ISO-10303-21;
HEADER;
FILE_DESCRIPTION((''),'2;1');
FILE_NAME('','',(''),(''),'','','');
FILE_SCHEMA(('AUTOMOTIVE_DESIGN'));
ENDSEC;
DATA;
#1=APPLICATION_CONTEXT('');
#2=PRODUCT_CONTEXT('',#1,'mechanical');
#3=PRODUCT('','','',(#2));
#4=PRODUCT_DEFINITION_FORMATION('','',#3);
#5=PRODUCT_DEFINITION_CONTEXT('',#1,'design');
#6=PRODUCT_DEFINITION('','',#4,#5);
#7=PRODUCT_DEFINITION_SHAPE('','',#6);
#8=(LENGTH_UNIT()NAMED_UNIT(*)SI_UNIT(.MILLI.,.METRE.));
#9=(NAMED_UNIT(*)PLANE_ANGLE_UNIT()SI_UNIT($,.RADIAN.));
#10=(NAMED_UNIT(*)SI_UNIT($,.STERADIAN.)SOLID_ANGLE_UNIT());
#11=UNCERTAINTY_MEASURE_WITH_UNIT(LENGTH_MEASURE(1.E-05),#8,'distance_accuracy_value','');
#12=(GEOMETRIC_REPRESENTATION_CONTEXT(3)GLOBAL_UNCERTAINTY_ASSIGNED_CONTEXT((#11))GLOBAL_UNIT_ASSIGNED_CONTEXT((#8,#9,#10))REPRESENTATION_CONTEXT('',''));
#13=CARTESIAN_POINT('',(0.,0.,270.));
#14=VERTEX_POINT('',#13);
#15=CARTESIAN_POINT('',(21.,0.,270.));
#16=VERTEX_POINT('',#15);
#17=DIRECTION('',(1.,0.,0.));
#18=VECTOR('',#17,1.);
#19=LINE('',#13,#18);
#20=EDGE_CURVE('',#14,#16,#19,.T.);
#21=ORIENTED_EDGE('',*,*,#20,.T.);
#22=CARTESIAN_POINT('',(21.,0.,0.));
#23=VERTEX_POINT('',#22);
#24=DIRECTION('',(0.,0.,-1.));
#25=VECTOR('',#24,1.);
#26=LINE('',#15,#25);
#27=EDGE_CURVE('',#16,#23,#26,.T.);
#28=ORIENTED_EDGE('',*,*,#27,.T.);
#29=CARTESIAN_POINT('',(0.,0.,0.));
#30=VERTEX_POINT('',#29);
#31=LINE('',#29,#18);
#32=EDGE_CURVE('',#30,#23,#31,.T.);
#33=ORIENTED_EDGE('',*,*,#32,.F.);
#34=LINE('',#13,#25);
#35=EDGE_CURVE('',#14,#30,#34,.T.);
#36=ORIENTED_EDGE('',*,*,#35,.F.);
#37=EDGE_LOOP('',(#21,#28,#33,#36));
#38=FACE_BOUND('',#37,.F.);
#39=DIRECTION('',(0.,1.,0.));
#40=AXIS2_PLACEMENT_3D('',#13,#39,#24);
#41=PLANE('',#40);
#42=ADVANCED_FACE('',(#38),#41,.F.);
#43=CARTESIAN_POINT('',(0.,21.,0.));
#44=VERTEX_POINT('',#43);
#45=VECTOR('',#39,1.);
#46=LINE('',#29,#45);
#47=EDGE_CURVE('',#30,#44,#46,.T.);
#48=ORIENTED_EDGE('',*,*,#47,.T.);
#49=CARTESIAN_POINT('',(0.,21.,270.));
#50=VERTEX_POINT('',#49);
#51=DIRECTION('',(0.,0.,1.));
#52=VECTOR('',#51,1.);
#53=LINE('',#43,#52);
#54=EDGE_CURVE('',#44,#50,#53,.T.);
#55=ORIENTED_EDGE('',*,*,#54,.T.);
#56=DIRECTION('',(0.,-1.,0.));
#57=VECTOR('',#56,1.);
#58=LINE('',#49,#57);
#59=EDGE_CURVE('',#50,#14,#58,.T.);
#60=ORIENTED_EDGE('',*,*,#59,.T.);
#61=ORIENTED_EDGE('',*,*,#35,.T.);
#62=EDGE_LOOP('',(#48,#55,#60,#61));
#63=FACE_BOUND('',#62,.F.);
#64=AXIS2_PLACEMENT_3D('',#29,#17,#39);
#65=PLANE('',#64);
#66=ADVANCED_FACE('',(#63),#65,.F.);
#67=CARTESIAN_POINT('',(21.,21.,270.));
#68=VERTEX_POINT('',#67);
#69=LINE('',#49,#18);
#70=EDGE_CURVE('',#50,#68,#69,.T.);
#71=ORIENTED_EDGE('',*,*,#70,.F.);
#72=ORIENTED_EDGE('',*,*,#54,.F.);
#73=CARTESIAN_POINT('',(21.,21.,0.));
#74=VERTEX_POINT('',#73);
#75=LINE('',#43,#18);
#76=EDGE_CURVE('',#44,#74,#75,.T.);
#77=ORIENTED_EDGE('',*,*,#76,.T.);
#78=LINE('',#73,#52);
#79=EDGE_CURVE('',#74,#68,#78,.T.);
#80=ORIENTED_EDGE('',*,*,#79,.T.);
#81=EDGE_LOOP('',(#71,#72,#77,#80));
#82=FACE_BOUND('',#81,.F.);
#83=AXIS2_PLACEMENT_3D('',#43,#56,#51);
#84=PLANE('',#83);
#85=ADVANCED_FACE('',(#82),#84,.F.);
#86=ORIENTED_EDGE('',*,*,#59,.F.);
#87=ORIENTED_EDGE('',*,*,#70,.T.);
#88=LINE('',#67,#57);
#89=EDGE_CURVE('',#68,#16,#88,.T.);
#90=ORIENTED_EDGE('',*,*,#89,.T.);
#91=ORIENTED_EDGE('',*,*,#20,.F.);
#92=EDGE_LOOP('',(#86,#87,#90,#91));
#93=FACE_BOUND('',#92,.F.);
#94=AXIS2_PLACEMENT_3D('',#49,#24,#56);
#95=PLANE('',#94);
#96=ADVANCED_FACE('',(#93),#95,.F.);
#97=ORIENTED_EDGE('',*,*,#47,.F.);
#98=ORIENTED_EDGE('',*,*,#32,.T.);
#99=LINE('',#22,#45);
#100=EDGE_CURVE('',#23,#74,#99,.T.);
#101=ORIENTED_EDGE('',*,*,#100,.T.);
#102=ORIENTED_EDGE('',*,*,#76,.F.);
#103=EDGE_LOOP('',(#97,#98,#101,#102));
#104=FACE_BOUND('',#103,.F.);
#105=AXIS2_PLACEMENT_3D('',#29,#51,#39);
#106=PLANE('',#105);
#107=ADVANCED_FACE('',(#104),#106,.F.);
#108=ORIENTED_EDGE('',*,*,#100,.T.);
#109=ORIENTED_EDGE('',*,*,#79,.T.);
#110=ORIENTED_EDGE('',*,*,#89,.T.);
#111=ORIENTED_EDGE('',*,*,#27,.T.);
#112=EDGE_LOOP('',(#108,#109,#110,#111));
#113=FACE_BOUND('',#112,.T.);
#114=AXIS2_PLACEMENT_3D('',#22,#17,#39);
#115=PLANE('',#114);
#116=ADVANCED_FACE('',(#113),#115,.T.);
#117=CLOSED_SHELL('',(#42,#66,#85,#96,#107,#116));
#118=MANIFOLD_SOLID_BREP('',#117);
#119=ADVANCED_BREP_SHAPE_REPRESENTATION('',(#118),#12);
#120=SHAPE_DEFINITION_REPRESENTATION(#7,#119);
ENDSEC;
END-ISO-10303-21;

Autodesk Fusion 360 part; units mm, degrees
sketch "Back Panel Support Left " plane through (0, 0, 0) normal (1, 0, 0) x (0, 1, 0)
  line L0 (0, 0) -> (21, 0)
  line L1 (21, 0) -> (21, 270)
  line L2 (21, 270) -> (0, 270)
  line L3 (0, 270) -> (0, 0)
  dimension "d1" = 270
  dimension "d2" = 21
extrude "Extrude1" add sketch "Back Panel Support Left " along normal blind 21
equation "d1 = 323 mm - 21 mm - 32 mm"
